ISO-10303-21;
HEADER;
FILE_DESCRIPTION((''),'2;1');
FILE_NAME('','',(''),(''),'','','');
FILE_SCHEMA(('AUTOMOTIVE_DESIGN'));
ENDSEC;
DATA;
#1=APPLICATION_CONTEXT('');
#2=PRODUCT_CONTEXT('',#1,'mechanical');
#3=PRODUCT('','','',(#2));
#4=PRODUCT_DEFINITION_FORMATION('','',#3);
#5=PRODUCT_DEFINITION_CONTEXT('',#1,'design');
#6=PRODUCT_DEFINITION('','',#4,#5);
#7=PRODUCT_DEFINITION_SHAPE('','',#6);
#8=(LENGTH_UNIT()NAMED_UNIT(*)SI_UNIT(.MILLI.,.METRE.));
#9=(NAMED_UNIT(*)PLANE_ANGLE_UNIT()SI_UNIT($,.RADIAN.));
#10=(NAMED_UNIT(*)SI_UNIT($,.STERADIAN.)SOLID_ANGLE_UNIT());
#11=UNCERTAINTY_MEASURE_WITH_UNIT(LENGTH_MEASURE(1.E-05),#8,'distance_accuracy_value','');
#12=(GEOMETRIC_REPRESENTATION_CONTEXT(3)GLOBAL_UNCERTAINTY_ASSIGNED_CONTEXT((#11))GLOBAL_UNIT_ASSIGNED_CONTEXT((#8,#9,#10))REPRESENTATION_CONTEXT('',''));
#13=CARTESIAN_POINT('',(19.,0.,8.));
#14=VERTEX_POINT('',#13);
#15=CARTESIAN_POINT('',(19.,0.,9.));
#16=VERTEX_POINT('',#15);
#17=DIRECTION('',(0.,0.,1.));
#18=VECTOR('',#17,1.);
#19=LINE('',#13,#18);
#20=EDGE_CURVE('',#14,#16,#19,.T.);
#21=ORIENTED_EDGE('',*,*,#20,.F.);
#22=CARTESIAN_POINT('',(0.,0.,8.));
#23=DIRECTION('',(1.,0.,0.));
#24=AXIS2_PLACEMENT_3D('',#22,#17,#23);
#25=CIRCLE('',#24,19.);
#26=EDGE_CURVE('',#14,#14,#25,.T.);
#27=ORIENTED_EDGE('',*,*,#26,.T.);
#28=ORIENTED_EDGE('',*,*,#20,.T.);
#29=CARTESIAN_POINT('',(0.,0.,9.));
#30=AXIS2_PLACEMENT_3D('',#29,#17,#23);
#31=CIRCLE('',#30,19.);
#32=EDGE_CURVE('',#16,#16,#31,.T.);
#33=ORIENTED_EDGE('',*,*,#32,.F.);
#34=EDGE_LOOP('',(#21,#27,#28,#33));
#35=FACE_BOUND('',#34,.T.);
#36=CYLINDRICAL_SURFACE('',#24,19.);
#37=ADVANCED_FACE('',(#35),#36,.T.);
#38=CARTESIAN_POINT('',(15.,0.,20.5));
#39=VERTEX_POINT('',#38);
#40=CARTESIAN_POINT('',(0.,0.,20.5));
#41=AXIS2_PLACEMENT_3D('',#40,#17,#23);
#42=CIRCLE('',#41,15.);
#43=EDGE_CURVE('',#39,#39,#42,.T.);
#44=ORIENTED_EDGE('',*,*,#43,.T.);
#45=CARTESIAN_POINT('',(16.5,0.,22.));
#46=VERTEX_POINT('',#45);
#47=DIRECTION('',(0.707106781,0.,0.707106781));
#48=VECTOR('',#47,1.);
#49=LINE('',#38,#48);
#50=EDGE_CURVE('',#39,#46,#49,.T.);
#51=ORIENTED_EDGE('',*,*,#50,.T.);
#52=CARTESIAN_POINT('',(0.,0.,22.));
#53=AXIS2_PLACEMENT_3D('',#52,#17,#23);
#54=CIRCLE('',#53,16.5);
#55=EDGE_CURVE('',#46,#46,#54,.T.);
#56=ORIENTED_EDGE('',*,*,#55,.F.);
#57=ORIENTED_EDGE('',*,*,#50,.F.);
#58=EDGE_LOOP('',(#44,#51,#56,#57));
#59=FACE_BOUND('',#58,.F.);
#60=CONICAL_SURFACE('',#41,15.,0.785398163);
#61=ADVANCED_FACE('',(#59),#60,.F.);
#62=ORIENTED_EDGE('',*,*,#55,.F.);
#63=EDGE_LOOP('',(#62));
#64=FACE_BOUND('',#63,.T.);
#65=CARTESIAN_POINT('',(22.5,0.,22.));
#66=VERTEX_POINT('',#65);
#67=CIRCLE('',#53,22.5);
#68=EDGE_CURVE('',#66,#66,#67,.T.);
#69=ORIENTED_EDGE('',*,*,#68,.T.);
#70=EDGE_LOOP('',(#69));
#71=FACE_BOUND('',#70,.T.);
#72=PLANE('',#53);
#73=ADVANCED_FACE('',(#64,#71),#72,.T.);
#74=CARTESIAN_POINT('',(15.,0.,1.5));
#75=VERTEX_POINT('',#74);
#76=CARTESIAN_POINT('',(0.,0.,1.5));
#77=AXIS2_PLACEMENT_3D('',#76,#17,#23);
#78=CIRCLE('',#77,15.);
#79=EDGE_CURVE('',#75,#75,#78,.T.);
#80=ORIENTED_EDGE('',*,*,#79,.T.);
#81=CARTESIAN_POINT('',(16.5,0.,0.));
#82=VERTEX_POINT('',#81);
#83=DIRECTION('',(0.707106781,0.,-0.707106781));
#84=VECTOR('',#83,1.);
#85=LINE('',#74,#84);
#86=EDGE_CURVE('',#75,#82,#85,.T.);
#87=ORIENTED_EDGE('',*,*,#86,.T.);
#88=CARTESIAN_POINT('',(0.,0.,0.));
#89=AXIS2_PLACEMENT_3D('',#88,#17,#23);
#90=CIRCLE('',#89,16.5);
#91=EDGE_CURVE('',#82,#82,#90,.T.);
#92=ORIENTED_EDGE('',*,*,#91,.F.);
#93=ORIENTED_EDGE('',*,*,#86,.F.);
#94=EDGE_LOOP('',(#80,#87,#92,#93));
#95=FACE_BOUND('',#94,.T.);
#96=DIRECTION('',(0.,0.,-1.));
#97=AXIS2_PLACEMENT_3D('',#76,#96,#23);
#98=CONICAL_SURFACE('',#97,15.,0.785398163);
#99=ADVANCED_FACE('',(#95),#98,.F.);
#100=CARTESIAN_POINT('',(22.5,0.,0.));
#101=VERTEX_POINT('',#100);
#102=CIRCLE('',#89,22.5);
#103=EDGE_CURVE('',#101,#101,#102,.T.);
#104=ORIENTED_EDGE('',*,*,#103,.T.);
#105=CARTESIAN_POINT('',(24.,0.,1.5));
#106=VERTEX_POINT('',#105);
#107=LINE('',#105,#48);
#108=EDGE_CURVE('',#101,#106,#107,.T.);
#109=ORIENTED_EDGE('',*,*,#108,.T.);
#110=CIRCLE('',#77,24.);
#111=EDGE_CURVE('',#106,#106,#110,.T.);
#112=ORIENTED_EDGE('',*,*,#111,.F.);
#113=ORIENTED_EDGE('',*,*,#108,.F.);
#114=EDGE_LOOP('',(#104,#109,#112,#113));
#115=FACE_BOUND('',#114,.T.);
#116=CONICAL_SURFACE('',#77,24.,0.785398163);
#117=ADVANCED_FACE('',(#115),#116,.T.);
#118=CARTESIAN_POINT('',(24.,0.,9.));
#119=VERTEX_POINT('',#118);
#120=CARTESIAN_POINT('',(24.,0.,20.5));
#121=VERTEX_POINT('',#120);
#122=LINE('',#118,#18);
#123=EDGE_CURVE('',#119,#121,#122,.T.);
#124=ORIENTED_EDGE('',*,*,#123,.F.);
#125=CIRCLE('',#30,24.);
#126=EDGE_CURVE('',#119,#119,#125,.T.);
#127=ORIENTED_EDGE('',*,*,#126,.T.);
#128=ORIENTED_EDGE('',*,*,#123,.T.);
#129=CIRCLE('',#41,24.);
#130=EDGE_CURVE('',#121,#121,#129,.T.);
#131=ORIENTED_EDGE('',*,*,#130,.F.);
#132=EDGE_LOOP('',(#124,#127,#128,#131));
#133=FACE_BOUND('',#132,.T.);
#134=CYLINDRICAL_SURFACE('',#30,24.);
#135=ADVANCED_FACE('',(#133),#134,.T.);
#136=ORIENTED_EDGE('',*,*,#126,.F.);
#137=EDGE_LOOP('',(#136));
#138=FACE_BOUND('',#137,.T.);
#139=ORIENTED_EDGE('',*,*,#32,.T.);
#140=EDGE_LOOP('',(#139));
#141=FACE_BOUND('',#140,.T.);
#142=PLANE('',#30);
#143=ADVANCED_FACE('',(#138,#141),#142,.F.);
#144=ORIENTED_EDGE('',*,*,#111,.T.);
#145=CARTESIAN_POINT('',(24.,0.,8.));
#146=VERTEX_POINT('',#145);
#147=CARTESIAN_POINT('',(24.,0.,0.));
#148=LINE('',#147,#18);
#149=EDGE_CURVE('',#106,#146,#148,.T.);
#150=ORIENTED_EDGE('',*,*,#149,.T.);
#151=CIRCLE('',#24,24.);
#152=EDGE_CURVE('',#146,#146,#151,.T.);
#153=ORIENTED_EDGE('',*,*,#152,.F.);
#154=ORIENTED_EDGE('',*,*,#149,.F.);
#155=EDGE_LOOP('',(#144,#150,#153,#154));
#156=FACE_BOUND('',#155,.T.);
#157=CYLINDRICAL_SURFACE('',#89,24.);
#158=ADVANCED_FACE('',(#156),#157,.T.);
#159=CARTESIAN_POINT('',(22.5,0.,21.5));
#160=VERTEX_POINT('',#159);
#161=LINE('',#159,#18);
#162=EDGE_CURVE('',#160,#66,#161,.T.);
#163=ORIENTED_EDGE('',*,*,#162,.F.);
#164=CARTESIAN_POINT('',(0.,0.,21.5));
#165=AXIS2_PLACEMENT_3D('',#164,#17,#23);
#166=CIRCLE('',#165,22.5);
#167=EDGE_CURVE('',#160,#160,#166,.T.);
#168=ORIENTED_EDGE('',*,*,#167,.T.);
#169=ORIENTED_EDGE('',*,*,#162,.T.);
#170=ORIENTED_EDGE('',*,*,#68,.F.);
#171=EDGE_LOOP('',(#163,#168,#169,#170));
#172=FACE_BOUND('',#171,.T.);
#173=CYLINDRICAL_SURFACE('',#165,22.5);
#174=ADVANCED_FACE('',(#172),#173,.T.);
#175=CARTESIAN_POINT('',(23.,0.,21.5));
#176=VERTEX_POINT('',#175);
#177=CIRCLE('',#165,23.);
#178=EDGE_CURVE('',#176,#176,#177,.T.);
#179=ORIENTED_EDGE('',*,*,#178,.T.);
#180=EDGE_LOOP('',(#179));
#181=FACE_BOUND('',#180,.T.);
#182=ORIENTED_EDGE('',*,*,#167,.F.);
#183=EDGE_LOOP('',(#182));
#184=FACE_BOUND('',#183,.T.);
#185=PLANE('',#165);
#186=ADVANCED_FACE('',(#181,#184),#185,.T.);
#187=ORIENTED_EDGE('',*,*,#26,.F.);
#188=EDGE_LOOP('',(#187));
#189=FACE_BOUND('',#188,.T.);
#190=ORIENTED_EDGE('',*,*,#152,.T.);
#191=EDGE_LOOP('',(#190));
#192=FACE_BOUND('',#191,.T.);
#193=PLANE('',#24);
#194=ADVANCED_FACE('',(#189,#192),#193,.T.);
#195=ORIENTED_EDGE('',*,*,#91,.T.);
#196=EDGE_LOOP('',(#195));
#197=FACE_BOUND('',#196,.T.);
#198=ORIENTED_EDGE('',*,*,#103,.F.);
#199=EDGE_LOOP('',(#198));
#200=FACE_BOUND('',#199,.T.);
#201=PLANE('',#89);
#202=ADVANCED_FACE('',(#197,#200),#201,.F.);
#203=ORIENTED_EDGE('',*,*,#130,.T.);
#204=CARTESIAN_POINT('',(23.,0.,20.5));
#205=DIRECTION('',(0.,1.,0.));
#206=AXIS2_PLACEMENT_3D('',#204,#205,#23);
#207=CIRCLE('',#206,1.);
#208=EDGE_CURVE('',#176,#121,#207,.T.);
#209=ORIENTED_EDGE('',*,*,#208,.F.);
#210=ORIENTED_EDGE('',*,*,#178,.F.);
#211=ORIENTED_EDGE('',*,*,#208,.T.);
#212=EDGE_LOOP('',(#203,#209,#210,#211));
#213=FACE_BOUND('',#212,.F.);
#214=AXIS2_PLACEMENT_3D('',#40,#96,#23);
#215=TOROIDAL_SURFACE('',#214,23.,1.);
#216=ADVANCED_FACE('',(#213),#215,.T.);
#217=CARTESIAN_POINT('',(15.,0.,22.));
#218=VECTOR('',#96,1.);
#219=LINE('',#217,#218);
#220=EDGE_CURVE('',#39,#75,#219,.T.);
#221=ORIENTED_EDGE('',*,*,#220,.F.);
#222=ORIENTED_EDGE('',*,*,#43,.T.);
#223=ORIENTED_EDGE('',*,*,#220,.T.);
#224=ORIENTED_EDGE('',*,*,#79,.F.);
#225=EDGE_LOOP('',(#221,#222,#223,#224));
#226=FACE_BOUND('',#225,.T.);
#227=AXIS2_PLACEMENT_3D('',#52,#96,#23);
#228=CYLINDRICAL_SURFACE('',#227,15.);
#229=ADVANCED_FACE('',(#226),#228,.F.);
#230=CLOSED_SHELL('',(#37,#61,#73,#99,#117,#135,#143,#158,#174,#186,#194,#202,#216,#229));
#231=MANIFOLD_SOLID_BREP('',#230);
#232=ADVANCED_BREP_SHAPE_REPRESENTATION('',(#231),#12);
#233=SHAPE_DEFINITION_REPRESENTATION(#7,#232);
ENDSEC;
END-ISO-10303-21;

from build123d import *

# Parameters (mm, degrees)
F2_SIZE = 1.5
F3_R    = 1


with BuildPart() as f1:
    # F0 (on Front) → F1 (revolve)
    with BuildSketch(Plane.XZ):
        Polygon((15, 22), (15, 0), (24, 0), (24, 8), (19, 8), (19, 9), (24, 9), (24, 21.5), (22.5, 21.5), (22.5, 22), align=None)
    revolve(axis=Axis((0, 0, -3.522726), (0, 0, 1)))

    # F2
    f2_edges = [f1.edges().sort_by_distance(p)[0] for p in [
        (-24, 0, 0),
        (-15, 0, 0),
        (-15, 0, 22),
    ]]
    chamfer(f2_edges, length=F2_SIZE)

    # F3
    f3_edges = [f1.edges().sort_by_distance(p)[0] for p in [
        (-24, 0, 21.5),
    ]]
    fillet(f3_edges, radius=F3_R)


solid = f1.part
